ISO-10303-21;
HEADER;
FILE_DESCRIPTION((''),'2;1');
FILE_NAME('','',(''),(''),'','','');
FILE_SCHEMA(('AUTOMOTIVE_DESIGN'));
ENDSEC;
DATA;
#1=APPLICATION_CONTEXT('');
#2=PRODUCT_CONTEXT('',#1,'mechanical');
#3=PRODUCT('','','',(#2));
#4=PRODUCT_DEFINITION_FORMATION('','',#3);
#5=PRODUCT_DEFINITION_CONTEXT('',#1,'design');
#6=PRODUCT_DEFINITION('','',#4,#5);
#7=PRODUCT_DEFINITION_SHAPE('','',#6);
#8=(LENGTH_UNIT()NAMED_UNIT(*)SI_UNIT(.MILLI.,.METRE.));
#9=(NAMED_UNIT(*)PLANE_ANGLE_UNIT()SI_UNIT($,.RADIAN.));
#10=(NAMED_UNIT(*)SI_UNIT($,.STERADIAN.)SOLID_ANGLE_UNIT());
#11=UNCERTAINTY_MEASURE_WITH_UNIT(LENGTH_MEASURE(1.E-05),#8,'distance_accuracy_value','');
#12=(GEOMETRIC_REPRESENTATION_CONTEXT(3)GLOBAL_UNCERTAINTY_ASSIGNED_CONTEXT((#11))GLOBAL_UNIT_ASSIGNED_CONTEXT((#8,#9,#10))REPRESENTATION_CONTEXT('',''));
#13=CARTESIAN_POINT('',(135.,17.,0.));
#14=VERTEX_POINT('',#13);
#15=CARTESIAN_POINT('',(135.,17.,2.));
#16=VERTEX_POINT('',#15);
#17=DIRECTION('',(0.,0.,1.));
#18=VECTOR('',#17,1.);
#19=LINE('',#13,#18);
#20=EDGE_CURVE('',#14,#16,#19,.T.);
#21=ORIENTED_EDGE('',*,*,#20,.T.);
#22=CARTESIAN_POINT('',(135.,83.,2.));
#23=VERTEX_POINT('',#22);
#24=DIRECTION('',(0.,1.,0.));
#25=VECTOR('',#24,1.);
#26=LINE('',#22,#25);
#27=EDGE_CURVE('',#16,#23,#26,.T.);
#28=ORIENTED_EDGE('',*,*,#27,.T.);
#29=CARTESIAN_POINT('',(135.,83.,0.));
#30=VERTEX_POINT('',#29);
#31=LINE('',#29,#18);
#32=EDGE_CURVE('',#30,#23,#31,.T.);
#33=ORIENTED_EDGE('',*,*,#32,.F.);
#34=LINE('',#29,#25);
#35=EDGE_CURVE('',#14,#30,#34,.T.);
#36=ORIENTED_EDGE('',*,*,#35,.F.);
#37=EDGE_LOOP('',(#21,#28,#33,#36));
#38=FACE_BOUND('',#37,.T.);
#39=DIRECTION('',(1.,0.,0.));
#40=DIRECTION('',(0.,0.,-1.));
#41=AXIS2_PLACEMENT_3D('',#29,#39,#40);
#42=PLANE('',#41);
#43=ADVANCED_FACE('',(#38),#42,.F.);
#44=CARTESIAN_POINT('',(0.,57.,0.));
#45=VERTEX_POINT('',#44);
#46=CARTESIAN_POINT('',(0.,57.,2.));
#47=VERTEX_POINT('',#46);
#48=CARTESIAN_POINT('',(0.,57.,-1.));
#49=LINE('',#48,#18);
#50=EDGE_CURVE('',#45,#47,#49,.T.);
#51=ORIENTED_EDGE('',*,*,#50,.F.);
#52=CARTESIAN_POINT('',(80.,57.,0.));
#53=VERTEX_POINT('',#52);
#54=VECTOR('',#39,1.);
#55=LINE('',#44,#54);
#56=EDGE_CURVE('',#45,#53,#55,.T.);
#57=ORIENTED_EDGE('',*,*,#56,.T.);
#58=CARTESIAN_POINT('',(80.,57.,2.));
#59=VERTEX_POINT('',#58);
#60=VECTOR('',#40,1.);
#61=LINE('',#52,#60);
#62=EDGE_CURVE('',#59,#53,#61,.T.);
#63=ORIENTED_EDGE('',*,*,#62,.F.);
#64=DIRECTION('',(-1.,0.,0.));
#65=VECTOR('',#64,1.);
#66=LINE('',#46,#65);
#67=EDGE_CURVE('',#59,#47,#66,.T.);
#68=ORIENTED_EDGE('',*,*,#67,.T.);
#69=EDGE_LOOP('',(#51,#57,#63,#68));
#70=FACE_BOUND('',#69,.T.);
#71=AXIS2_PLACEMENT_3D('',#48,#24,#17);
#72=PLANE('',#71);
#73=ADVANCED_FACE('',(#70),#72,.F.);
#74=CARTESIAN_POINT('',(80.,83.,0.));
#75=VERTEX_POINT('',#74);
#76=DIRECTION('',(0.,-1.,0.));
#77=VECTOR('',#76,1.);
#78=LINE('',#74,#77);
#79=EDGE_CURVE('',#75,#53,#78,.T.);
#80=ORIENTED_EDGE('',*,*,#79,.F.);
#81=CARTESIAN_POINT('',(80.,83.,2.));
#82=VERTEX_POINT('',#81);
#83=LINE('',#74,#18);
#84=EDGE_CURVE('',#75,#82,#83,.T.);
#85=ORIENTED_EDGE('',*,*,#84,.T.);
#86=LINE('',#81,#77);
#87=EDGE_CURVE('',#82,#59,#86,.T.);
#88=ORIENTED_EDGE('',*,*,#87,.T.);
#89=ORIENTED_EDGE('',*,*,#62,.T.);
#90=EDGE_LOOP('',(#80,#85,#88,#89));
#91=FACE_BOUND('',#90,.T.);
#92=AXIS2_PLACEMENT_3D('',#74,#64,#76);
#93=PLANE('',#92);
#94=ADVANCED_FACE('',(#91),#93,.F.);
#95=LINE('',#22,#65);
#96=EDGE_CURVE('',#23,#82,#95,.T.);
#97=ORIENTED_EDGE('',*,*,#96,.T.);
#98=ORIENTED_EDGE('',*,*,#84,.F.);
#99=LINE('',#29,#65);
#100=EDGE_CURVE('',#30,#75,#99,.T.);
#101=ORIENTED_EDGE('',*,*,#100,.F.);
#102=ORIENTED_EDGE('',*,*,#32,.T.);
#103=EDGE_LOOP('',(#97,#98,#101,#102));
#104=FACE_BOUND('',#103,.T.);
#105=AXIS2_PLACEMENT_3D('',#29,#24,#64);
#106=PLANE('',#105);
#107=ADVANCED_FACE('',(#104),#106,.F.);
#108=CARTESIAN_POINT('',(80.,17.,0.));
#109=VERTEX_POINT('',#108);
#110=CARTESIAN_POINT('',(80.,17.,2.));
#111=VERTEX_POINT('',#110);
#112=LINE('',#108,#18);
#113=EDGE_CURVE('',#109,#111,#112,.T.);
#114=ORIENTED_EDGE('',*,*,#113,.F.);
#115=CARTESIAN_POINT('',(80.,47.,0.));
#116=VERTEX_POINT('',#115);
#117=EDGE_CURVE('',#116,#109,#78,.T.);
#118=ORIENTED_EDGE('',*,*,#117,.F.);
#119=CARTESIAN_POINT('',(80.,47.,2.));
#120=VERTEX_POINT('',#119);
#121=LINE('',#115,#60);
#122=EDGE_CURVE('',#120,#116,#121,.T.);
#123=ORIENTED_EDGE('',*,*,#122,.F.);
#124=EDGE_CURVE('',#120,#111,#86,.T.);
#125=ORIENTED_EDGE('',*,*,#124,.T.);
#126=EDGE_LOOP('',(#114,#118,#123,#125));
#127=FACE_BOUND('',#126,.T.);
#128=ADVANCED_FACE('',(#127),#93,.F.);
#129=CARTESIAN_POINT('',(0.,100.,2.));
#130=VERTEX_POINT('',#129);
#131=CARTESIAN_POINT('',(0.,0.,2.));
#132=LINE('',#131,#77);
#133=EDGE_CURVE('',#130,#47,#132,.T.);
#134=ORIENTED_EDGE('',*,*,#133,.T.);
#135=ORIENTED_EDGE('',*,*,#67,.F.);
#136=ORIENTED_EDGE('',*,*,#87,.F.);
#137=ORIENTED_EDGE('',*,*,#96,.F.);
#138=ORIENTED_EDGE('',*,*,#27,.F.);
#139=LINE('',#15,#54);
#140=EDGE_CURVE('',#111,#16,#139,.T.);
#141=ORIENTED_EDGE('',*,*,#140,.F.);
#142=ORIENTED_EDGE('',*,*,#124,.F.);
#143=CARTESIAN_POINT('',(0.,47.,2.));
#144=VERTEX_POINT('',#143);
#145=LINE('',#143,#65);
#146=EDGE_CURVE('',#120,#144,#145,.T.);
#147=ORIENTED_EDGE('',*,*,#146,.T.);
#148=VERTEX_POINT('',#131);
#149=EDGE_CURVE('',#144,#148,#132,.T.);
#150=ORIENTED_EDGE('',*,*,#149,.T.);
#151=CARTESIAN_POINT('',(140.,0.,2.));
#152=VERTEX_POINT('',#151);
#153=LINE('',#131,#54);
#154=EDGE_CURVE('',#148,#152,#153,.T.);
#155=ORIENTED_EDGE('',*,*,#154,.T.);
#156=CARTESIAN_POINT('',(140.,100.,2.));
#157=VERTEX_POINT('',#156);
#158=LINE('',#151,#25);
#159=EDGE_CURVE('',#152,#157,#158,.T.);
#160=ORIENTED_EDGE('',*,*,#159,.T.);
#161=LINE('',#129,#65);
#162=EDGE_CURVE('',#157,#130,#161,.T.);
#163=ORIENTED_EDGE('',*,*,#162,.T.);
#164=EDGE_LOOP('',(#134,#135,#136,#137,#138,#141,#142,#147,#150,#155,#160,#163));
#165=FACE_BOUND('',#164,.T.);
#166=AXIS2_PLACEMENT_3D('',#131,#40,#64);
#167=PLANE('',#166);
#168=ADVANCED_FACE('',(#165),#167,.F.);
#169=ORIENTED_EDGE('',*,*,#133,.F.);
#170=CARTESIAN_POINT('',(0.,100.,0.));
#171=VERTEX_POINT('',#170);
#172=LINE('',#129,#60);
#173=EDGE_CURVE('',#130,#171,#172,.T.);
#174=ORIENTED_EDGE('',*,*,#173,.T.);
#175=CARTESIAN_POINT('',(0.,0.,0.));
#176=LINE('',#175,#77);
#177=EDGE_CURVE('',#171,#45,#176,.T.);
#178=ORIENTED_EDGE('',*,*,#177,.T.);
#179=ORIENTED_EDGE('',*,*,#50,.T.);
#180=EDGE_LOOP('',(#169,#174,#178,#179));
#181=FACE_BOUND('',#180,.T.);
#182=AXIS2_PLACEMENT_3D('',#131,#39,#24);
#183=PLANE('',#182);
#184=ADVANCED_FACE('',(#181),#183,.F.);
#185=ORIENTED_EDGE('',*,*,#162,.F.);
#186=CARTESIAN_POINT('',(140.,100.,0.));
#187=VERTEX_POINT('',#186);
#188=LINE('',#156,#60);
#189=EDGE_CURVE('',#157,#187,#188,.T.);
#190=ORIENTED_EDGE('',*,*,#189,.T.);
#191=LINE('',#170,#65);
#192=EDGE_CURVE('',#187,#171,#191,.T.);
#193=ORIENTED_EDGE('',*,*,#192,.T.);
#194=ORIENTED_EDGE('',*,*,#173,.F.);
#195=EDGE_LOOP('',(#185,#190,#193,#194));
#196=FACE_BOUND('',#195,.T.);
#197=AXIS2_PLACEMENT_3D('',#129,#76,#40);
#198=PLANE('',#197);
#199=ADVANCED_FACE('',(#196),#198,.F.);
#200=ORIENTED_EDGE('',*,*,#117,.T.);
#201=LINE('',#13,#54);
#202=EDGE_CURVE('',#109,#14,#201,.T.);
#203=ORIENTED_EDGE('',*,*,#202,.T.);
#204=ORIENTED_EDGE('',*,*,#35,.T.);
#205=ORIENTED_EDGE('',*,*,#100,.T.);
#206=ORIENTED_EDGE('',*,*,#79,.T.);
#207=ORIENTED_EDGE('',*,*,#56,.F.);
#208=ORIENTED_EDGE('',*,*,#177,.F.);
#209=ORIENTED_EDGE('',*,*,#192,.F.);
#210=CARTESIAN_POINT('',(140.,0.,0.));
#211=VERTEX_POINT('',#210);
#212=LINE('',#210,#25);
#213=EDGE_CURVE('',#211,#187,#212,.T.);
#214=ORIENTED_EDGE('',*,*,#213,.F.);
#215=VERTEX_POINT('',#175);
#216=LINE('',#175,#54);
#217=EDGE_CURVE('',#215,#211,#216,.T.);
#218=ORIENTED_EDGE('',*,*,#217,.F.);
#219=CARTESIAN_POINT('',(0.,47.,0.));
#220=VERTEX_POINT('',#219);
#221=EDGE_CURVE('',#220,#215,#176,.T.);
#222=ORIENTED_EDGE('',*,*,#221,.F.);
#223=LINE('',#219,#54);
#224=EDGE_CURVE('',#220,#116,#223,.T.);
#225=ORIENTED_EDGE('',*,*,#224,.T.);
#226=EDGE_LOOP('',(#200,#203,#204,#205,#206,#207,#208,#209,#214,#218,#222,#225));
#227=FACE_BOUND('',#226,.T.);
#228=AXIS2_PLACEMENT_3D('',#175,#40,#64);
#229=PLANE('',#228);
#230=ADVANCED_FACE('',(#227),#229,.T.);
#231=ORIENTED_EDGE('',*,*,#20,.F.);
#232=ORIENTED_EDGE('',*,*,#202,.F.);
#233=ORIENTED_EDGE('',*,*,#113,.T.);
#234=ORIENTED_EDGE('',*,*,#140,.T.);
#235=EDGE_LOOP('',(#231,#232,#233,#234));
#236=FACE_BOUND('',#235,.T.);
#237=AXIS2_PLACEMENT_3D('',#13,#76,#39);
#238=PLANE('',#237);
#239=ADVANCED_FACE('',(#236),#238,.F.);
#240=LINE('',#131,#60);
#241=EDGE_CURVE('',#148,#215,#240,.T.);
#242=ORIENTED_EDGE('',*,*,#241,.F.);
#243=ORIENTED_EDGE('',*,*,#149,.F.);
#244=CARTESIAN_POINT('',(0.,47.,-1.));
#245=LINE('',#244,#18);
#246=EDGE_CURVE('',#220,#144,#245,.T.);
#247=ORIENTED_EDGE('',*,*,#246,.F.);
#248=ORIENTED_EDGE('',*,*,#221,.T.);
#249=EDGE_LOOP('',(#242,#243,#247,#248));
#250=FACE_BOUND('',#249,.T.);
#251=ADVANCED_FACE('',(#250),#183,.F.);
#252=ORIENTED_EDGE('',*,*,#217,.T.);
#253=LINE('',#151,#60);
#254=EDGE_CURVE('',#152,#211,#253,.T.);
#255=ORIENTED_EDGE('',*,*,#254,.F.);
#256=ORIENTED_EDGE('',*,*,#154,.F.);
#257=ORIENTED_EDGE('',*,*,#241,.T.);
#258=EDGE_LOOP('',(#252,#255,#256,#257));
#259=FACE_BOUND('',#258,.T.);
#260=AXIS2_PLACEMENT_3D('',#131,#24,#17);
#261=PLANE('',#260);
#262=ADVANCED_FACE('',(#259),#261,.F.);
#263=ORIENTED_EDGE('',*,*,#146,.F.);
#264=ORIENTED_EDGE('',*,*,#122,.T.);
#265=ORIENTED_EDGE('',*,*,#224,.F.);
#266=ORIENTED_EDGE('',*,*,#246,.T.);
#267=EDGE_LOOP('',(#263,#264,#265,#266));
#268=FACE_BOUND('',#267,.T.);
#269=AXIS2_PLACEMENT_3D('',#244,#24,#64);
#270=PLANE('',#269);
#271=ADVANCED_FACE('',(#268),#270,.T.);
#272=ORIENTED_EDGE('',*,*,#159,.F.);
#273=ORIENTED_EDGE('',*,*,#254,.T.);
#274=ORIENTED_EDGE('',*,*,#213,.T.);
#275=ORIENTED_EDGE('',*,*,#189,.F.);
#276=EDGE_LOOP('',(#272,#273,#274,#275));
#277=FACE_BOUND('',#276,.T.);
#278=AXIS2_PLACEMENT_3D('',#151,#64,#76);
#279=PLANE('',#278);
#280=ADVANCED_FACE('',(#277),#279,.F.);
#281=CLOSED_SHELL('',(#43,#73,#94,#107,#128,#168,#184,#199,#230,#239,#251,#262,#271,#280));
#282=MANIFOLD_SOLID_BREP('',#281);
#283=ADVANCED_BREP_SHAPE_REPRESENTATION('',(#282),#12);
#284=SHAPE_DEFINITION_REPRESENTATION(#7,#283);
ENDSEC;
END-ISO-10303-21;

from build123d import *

# Parameters (mm, degrees)
ESQUISSE1_W             = 140
ESQUISSE1_H             = 100
BOSS_EXTRU_1_DEPTH      = 2
ESQUISSE2_W             = 55
ESQUISSE2_H             = 66
ENL_V_MAT_EXTRU_1_DEPTH = 2
ESQUISSE3_W             = 78
ESQUISSE3_H             = 10
ESQUISSE3_W_2           = 2
ENL_V_MAT_EXTRU_2_DEPTH = 3


with BuildPart() as part:
    # Esquisse1 → Boss.-Extru.1 (new body)
    with BuildSketch(Plane.XY):
        with Locations((70, 50)):
            Rectangle(ESQUISSE1_W, ESQUISSE1_H)
    extrude(amount=BOSS_EXTRU_1_DEPTH)

    # Esquisse2 → Enlèv. mat.-Extru.1 (cut)
    with BuildSketch(Plane.XY.offset(2)):
        with Locations((107.5, 50)):
            Rectangle(ESQUISSE2_W, ESQUISSE2_H)
    extrude(amount=-ENL_V_MAT_EXTRU_1_DEPTH, mode=Mode.SUBTRACT)

    # Esquisse3 → Enlèv. mat.-Extru.2 (cut)
    with BuildSketch(Plane.XY.offset(2)):
        with Locations((39, 52)):
            Rectangle(ESQUISSE3_W, ESQUISSE3_H)
        with Locations((79, 52)):
            Rectangle(ESQUISSE3_W_2, ESQUISSE3_H)
    extrude(amount=-ENL_V_MAT_EXTRU_2_DEPTH, mode=Mode.SUBTRACT)


solid = part.part
